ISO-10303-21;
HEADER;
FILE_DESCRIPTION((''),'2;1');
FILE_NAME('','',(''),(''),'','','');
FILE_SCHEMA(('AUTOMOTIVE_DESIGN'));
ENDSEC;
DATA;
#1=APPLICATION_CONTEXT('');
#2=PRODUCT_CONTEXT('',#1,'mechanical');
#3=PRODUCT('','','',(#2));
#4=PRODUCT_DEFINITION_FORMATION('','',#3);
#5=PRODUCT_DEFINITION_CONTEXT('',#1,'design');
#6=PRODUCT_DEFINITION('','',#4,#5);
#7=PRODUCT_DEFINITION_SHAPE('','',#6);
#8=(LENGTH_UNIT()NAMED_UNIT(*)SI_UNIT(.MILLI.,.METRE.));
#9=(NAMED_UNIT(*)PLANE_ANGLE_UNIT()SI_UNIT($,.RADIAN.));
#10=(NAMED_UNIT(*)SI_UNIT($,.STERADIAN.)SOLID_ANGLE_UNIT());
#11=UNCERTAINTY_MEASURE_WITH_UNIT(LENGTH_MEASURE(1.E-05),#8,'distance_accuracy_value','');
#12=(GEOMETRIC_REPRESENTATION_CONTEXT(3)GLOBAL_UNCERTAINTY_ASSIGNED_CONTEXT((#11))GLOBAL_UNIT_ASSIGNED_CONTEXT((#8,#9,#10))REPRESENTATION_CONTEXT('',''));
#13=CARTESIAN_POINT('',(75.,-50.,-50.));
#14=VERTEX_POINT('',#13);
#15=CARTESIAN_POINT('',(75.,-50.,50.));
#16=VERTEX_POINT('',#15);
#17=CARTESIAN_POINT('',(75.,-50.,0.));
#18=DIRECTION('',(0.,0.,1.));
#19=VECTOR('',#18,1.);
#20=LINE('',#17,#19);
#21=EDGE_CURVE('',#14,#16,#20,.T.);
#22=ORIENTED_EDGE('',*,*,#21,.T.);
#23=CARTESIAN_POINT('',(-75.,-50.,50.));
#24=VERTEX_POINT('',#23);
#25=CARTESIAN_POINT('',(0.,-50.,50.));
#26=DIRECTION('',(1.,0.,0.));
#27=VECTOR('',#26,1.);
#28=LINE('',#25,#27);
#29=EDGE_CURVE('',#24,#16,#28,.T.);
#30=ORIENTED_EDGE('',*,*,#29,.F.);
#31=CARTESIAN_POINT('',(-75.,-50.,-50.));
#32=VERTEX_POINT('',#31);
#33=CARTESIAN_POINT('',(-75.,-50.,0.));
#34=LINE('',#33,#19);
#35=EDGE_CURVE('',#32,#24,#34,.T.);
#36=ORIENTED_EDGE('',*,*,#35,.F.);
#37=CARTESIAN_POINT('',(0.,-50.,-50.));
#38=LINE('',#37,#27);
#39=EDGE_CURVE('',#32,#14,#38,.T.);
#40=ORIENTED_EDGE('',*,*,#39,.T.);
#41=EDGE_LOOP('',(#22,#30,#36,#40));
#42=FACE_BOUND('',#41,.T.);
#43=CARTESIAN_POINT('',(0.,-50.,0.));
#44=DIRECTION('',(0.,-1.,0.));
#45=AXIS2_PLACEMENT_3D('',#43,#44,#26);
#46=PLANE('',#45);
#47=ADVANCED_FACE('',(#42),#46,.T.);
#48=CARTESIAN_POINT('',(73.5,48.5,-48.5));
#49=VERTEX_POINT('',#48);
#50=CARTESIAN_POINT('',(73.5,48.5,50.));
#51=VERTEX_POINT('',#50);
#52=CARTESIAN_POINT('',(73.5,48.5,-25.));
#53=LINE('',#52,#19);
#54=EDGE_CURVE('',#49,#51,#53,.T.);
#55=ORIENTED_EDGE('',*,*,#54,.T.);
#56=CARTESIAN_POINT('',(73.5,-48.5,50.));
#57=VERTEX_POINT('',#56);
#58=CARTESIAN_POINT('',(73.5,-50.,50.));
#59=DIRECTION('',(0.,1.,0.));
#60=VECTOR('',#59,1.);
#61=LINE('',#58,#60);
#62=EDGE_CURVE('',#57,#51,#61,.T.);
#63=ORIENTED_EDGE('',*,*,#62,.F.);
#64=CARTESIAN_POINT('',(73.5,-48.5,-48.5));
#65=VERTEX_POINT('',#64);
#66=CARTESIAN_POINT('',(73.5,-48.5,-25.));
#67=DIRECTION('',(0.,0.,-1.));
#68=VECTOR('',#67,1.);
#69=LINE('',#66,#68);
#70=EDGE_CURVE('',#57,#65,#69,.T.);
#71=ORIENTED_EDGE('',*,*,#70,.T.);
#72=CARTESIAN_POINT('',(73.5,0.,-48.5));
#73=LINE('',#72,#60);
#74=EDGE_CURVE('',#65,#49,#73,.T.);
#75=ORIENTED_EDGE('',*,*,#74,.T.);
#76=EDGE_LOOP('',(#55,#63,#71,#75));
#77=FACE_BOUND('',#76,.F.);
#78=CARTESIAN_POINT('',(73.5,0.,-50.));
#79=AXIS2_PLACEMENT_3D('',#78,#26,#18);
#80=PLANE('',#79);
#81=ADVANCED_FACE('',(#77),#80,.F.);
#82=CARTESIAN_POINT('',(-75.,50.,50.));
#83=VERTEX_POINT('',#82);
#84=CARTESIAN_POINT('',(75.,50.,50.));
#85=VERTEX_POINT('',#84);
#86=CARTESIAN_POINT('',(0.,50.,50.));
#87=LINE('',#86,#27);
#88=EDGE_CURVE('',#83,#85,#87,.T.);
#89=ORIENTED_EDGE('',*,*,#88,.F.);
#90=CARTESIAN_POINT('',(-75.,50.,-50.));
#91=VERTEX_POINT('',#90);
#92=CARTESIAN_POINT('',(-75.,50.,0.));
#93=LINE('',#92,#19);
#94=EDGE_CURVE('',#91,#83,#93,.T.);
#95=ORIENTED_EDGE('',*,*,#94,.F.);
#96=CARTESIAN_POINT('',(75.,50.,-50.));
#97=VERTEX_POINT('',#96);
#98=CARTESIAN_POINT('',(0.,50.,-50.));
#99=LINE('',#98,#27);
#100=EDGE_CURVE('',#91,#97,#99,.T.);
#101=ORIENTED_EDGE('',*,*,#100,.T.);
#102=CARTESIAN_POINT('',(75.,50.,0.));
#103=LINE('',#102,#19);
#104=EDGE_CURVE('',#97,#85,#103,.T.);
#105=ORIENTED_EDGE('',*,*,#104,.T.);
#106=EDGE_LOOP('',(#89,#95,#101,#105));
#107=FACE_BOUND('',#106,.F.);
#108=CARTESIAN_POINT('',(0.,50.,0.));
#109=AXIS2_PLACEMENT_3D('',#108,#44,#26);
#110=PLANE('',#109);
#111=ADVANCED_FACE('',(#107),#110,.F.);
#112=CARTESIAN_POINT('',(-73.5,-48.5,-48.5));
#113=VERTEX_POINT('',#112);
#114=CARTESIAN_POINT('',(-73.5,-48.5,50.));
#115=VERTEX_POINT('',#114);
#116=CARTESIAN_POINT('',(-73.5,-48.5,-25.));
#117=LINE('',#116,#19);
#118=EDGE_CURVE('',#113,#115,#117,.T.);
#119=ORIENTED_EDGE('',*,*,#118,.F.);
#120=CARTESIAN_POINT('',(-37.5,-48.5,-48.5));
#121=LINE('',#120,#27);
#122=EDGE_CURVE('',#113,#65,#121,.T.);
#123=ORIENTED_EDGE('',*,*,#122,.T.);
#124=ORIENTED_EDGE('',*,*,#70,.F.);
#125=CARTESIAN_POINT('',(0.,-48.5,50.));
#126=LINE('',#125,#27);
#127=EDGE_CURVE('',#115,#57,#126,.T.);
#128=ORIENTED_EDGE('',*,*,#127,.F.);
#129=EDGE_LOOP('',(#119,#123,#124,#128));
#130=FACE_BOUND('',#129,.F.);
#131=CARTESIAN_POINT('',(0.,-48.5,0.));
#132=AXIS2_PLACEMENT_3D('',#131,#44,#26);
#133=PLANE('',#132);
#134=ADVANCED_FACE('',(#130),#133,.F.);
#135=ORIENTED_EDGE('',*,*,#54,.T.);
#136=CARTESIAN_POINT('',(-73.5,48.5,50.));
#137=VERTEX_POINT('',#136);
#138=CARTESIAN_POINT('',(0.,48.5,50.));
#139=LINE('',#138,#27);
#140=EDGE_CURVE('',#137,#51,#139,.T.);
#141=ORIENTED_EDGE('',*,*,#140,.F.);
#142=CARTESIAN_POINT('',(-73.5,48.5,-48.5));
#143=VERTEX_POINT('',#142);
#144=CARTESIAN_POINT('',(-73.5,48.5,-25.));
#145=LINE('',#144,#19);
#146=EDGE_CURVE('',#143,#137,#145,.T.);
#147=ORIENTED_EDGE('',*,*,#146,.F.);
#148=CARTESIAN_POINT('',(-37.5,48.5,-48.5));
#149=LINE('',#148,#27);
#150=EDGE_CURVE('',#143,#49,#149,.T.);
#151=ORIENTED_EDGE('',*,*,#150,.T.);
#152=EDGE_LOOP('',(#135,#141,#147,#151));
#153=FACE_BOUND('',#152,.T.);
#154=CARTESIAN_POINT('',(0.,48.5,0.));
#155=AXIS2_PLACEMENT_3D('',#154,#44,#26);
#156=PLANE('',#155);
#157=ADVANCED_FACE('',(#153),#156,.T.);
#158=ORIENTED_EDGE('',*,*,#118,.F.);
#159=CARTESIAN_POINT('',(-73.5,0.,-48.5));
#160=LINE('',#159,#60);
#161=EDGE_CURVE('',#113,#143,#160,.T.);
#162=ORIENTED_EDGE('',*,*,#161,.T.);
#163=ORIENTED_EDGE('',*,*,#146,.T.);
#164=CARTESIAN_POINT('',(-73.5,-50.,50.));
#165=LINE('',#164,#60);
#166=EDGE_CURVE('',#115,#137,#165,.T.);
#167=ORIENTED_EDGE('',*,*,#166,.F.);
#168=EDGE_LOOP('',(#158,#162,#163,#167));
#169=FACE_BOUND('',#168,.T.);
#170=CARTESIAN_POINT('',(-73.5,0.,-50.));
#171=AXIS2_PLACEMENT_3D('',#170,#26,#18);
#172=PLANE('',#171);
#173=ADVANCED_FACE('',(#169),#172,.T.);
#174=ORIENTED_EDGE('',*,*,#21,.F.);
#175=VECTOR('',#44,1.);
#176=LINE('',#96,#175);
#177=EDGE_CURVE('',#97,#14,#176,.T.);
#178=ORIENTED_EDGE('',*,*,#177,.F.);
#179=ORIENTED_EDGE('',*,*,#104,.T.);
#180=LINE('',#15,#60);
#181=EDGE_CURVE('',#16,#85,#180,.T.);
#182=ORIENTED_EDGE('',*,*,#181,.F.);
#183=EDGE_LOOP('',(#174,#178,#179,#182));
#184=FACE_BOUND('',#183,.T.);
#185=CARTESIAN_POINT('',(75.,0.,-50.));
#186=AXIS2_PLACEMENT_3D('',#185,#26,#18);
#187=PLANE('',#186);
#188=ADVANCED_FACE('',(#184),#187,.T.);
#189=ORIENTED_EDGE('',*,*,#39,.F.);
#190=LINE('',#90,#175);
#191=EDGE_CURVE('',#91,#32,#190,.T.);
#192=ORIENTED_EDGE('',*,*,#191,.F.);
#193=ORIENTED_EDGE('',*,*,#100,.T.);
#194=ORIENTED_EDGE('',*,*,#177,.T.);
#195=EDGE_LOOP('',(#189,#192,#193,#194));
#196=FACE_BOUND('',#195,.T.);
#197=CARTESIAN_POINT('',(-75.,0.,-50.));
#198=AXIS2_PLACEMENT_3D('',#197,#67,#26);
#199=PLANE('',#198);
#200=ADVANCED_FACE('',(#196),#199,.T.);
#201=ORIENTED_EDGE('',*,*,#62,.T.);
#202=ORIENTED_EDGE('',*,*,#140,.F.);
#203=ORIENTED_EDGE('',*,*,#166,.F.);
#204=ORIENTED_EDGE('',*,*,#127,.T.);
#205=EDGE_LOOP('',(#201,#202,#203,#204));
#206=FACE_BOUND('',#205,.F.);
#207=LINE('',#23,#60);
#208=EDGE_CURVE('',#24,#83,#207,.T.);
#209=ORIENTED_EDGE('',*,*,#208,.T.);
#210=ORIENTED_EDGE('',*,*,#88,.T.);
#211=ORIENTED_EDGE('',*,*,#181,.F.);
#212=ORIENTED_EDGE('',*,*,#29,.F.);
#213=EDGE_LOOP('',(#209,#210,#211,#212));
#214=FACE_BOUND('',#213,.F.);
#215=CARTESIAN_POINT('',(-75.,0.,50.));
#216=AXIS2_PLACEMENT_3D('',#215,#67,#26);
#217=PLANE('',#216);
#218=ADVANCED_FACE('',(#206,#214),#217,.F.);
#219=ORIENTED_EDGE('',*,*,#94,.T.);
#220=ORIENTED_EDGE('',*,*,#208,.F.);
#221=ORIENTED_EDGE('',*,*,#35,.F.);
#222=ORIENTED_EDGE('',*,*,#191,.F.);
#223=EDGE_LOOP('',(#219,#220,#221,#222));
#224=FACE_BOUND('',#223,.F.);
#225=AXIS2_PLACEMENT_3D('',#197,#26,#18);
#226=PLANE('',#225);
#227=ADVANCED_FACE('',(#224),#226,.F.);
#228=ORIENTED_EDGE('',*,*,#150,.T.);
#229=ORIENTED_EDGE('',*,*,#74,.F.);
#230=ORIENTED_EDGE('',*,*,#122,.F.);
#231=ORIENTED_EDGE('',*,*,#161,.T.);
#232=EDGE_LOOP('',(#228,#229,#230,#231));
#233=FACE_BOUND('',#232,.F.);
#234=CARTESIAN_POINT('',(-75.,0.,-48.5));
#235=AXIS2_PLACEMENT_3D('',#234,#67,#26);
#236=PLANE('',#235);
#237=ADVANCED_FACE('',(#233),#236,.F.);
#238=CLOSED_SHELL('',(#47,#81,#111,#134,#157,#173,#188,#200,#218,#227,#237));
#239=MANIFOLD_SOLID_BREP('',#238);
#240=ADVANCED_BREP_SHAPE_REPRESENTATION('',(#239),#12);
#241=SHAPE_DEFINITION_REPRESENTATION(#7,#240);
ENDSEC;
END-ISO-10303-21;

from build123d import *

# Parameters (mm, degrees)
F0_W     = 150
F0_H     = 100
F1_DEPTH = 50
F2_T     = -1.5


with BuildPart() as f1:
    # F0 (on Front) → F1 (new body, symmetric)
    with BuildSketch(Plane.XZ):
        Rectangle(F0_W, F0_H)
    extrude(amount=F1_DEPTH, both=True)

    # F2
    f2_openings = [f1.faces().sort_by_distance(p)[0] for p in [
        (0, 0, 50),
    ]]
    offset(amount=F2_T, openings=f2_openings)


solid = f1.part
